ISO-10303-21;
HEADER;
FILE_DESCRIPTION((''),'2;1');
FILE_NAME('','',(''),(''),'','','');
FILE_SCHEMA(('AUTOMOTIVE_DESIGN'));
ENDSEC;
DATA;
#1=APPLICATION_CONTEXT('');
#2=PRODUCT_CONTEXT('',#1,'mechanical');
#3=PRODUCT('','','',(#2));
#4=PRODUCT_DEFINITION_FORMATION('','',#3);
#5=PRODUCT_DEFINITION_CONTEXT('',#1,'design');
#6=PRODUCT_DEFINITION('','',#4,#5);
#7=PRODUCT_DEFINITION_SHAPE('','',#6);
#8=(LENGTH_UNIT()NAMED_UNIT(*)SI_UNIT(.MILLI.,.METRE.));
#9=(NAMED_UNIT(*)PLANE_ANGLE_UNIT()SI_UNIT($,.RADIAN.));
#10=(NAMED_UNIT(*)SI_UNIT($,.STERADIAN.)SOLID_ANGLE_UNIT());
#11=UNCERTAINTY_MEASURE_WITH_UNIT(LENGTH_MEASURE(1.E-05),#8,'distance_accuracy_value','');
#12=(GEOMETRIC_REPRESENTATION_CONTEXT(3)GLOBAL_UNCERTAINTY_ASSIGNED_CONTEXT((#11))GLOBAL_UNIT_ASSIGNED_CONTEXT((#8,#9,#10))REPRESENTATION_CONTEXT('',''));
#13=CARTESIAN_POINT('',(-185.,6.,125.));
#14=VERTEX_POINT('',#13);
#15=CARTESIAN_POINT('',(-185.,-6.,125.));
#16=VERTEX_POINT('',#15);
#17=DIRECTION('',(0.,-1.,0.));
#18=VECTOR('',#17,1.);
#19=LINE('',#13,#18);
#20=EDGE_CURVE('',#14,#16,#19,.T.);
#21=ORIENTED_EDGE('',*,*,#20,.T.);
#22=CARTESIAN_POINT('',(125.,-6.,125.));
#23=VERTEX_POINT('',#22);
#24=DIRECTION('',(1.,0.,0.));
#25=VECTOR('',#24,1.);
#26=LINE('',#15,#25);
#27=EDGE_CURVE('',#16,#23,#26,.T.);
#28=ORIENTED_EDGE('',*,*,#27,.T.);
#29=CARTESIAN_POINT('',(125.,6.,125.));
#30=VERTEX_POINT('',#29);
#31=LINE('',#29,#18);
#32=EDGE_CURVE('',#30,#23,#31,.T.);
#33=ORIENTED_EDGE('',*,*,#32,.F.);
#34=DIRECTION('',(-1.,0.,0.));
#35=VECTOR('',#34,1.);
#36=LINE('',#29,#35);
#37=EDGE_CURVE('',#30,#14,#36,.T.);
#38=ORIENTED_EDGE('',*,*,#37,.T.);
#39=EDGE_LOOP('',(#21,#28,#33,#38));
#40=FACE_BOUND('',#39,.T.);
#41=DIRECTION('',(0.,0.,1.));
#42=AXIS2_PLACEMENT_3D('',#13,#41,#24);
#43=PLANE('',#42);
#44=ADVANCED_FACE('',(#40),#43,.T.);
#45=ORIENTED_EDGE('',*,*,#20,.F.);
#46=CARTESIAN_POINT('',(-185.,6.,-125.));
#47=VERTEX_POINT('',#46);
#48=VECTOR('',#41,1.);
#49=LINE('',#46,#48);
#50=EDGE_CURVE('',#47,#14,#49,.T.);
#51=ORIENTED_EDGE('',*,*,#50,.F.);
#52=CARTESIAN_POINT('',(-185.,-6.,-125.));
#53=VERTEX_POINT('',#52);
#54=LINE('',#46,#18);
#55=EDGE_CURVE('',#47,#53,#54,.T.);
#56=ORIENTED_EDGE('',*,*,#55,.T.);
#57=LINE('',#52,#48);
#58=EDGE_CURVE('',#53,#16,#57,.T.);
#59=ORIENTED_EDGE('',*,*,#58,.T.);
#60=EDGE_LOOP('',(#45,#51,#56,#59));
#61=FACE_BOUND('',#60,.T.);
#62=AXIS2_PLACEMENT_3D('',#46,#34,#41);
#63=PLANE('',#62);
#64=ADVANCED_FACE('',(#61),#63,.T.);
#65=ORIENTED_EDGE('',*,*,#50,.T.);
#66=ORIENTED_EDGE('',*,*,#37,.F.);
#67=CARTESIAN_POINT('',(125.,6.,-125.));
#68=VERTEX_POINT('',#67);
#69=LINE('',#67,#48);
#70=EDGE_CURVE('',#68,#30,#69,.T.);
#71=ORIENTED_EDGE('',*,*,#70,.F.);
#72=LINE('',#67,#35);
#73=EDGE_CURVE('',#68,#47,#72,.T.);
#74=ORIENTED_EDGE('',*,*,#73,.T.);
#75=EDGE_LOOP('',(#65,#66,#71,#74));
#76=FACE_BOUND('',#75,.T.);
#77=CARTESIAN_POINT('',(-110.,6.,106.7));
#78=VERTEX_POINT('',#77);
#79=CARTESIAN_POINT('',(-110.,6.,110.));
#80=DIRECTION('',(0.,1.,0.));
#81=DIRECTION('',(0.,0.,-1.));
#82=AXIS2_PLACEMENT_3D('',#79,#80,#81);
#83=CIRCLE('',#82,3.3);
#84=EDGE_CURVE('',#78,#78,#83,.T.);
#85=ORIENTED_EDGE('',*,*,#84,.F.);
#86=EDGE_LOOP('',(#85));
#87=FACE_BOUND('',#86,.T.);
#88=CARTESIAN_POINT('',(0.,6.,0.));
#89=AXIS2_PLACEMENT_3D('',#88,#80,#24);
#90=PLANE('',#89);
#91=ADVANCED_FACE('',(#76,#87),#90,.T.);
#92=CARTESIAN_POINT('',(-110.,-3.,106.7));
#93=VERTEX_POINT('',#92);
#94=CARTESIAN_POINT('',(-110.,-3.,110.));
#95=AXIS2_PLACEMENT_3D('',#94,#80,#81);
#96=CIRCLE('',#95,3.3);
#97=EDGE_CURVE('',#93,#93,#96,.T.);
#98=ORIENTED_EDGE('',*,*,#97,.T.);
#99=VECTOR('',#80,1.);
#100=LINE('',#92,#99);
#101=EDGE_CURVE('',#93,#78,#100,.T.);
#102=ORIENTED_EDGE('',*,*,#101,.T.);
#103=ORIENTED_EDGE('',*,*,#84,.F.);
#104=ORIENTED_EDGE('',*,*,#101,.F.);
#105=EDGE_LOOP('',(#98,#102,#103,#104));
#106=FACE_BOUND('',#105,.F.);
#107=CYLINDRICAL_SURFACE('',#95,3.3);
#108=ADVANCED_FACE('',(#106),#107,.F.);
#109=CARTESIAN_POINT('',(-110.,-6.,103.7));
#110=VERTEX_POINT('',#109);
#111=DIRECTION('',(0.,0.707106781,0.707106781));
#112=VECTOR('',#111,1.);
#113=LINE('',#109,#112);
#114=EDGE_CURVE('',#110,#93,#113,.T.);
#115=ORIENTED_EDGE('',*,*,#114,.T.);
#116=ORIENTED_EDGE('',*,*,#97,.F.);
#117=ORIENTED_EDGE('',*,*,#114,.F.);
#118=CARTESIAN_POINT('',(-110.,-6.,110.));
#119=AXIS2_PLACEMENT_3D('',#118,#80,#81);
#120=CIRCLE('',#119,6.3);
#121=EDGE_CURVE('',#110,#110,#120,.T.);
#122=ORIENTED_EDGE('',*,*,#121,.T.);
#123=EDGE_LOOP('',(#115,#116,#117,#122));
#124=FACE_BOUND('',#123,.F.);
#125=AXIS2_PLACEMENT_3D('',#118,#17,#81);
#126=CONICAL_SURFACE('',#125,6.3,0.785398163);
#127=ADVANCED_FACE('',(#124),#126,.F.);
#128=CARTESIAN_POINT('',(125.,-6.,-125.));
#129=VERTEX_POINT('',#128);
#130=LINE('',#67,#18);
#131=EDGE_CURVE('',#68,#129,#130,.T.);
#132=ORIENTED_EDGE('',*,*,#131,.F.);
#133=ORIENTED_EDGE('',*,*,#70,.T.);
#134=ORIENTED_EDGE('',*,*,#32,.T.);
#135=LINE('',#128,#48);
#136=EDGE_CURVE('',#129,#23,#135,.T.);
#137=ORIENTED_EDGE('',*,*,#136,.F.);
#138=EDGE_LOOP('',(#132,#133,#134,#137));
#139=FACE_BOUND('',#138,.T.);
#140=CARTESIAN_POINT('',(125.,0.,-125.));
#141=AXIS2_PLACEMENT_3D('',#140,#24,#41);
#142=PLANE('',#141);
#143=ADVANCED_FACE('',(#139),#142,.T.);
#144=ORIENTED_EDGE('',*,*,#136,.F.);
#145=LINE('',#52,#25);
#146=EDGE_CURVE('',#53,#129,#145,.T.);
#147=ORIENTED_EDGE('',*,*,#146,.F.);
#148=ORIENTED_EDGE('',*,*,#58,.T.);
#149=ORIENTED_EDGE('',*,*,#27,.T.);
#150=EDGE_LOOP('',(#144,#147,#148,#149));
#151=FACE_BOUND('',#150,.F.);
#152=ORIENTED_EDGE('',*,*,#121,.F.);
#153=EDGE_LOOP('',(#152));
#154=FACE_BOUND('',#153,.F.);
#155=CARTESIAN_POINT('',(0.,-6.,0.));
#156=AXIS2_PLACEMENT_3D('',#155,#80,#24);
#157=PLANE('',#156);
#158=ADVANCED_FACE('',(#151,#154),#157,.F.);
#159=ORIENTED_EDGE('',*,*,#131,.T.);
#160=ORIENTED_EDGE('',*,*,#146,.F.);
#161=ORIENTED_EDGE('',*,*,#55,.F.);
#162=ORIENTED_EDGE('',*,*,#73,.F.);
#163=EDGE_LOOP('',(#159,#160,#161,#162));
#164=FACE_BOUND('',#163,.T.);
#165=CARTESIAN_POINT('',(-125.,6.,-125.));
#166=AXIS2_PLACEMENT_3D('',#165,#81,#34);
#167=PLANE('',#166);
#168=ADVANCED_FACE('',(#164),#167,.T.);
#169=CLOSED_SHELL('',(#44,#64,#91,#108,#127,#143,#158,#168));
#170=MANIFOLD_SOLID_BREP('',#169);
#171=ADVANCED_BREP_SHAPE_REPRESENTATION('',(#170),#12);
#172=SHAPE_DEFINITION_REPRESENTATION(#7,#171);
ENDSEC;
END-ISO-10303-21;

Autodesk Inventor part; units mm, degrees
ref_plane "YZ Plane" through (0, 0, 0) normal (1, 0, 0) x (0, 1, 0)
ref_plane "XZ Plane" through (0, 0, 0) normal (0, 1, 0) x (-1, 0, 0)
ref_plane "XY Plane" through (0, 0, 0) normal (0, 0, 1) x (1, 0, 0)
sketch "스케치1" plane through (0, 0, 0) normal (0, 1, 0) x (-1, 0, 0)
  line L0 (125, -125) -> (-125, -125)
  line L1 (-125, -125) -> (-125, 125)
  line L2 (-125, 125) -> (125, 125)
  line L3 (125, 125) -> (125, -125)
  point P0 (0, 0)
  point P1 (125, 0)
  point P2 (0, -125)
  dimension "d0" = 250
  dimension "d1" = 250
extrude "돌출1" add sketch "스케치1" along normal mid plane 12
sketch "Sketch2" plane through (0, 6, 0) normal (0, 1, 0) x (1, 0, 0)
  line L0 (-125, -125) -> (-95, -125)
  line L1 (-95, -125) -> (-95, -95)
  line L2 (-95, -95) -> (-125, -95)
  line L3 (-125, -95) -> (-125, -125)
  line L4 (-125, -95) -> (-95, -125)
  line L5 (-95, -95) -> (-125, -125)
  point P0 (0, 0)
  point P1 (-110, -110)
  point P2 (-95, -110)
  point P3 (-110, -95)
  dimension "d5" = 30
  dimension "d6" = 30
sketch "Sketch3" plane through (0, 6, 0) normal (0, 1, 0) x (1, 0, 0)
  line L0 (-125, -125) -> (-125, 125) projected
  line L1 (-125, 125) -> (-185, 125)
  line L2 (-185, 125) -> (-185, -125)
  line L3 (-185, -125) -> (-125, -125)
  line L4 (-125, -125) -> (-125, 125)
  point P0 (0, 0)
  dimension "d7" = 60
  dimension "d8" = 250
extrude "Extrusion2" add sketch "Sketch3" against normal up to surface (12 mm away)
sketch "Sketch4" plane through (0, -6, 0) normal (0, -1, 0) x (1, 0, 0)
  circle A0 centre (-110, 110) radius 2.5 projected
  point P0 (0, 0)
hole "Hole1" at (-110, -6, 110) direction (0, 1, 0) diameter 6.6 end through all countersink diameter 12.6 countersink angle 90 clearance for "Countersunk Flat Head Screw ISO 2009/7046" size "M6" standard "ISO"
equation "\"d1\" = d0"
equation "\"TransitionRadius\" = BendRadius"
equation "\"BendRadius\" = 0.5"
properties part number "Base_Wood_Plate" material "Wood (Birch)"
